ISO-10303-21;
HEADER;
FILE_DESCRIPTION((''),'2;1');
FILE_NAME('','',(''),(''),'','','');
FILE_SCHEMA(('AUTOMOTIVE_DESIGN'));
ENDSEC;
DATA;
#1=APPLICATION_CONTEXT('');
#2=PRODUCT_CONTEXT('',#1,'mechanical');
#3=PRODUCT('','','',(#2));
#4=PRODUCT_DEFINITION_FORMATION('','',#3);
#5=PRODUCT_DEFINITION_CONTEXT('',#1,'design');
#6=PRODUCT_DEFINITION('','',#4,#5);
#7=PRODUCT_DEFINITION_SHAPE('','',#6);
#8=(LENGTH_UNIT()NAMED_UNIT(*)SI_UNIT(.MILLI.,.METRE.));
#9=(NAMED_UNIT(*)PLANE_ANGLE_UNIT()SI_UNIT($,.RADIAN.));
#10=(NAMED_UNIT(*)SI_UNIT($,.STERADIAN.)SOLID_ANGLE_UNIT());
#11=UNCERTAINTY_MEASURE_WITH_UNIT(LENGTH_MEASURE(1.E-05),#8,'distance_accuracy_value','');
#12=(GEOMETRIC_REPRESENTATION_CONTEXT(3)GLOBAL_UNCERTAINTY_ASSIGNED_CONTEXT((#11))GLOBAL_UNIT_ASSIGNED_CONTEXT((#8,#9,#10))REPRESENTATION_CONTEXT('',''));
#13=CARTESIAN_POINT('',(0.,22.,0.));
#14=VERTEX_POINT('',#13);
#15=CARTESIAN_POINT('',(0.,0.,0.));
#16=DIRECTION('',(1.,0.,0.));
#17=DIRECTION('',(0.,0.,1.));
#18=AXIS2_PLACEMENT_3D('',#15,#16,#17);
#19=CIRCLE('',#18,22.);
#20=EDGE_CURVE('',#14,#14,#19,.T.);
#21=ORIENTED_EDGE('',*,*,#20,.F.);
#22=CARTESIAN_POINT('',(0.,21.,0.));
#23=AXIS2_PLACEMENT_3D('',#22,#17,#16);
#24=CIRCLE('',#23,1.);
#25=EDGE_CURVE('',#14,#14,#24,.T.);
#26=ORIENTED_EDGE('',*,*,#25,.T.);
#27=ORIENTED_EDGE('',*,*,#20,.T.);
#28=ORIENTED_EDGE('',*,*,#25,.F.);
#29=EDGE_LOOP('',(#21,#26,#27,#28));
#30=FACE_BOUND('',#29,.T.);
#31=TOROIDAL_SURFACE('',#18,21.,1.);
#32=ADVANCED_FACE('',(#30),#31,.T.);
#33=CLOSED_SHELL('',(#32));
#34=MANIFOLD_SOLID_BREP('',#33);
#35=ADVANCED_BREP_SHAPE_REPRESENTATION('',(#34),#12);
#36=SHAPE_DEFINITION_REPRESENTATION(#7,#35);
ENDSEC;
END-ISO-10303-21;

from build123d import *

# Parameters (mm, degrees)
SKETCH2_R = 1


with BuildPart() as part:
    # Sweep1: sweep along a path in Sketch1
    with BuildLine(Plane(origin=(0, 0, 0), x_dir=(0, 0, -1), z_dir=(1, 0, 0))) as sweep1_path:
        CenterArc((0, 0), 21, 0, 360)
    # Sketch2 → Sweep1 (sweep)
    with BuildSketch(Plane.XY):
        with Locations((0, 21)):
            Circle(SKETCH2_R)
    sweep(path=sweep1_path.line)


solid = part.part
